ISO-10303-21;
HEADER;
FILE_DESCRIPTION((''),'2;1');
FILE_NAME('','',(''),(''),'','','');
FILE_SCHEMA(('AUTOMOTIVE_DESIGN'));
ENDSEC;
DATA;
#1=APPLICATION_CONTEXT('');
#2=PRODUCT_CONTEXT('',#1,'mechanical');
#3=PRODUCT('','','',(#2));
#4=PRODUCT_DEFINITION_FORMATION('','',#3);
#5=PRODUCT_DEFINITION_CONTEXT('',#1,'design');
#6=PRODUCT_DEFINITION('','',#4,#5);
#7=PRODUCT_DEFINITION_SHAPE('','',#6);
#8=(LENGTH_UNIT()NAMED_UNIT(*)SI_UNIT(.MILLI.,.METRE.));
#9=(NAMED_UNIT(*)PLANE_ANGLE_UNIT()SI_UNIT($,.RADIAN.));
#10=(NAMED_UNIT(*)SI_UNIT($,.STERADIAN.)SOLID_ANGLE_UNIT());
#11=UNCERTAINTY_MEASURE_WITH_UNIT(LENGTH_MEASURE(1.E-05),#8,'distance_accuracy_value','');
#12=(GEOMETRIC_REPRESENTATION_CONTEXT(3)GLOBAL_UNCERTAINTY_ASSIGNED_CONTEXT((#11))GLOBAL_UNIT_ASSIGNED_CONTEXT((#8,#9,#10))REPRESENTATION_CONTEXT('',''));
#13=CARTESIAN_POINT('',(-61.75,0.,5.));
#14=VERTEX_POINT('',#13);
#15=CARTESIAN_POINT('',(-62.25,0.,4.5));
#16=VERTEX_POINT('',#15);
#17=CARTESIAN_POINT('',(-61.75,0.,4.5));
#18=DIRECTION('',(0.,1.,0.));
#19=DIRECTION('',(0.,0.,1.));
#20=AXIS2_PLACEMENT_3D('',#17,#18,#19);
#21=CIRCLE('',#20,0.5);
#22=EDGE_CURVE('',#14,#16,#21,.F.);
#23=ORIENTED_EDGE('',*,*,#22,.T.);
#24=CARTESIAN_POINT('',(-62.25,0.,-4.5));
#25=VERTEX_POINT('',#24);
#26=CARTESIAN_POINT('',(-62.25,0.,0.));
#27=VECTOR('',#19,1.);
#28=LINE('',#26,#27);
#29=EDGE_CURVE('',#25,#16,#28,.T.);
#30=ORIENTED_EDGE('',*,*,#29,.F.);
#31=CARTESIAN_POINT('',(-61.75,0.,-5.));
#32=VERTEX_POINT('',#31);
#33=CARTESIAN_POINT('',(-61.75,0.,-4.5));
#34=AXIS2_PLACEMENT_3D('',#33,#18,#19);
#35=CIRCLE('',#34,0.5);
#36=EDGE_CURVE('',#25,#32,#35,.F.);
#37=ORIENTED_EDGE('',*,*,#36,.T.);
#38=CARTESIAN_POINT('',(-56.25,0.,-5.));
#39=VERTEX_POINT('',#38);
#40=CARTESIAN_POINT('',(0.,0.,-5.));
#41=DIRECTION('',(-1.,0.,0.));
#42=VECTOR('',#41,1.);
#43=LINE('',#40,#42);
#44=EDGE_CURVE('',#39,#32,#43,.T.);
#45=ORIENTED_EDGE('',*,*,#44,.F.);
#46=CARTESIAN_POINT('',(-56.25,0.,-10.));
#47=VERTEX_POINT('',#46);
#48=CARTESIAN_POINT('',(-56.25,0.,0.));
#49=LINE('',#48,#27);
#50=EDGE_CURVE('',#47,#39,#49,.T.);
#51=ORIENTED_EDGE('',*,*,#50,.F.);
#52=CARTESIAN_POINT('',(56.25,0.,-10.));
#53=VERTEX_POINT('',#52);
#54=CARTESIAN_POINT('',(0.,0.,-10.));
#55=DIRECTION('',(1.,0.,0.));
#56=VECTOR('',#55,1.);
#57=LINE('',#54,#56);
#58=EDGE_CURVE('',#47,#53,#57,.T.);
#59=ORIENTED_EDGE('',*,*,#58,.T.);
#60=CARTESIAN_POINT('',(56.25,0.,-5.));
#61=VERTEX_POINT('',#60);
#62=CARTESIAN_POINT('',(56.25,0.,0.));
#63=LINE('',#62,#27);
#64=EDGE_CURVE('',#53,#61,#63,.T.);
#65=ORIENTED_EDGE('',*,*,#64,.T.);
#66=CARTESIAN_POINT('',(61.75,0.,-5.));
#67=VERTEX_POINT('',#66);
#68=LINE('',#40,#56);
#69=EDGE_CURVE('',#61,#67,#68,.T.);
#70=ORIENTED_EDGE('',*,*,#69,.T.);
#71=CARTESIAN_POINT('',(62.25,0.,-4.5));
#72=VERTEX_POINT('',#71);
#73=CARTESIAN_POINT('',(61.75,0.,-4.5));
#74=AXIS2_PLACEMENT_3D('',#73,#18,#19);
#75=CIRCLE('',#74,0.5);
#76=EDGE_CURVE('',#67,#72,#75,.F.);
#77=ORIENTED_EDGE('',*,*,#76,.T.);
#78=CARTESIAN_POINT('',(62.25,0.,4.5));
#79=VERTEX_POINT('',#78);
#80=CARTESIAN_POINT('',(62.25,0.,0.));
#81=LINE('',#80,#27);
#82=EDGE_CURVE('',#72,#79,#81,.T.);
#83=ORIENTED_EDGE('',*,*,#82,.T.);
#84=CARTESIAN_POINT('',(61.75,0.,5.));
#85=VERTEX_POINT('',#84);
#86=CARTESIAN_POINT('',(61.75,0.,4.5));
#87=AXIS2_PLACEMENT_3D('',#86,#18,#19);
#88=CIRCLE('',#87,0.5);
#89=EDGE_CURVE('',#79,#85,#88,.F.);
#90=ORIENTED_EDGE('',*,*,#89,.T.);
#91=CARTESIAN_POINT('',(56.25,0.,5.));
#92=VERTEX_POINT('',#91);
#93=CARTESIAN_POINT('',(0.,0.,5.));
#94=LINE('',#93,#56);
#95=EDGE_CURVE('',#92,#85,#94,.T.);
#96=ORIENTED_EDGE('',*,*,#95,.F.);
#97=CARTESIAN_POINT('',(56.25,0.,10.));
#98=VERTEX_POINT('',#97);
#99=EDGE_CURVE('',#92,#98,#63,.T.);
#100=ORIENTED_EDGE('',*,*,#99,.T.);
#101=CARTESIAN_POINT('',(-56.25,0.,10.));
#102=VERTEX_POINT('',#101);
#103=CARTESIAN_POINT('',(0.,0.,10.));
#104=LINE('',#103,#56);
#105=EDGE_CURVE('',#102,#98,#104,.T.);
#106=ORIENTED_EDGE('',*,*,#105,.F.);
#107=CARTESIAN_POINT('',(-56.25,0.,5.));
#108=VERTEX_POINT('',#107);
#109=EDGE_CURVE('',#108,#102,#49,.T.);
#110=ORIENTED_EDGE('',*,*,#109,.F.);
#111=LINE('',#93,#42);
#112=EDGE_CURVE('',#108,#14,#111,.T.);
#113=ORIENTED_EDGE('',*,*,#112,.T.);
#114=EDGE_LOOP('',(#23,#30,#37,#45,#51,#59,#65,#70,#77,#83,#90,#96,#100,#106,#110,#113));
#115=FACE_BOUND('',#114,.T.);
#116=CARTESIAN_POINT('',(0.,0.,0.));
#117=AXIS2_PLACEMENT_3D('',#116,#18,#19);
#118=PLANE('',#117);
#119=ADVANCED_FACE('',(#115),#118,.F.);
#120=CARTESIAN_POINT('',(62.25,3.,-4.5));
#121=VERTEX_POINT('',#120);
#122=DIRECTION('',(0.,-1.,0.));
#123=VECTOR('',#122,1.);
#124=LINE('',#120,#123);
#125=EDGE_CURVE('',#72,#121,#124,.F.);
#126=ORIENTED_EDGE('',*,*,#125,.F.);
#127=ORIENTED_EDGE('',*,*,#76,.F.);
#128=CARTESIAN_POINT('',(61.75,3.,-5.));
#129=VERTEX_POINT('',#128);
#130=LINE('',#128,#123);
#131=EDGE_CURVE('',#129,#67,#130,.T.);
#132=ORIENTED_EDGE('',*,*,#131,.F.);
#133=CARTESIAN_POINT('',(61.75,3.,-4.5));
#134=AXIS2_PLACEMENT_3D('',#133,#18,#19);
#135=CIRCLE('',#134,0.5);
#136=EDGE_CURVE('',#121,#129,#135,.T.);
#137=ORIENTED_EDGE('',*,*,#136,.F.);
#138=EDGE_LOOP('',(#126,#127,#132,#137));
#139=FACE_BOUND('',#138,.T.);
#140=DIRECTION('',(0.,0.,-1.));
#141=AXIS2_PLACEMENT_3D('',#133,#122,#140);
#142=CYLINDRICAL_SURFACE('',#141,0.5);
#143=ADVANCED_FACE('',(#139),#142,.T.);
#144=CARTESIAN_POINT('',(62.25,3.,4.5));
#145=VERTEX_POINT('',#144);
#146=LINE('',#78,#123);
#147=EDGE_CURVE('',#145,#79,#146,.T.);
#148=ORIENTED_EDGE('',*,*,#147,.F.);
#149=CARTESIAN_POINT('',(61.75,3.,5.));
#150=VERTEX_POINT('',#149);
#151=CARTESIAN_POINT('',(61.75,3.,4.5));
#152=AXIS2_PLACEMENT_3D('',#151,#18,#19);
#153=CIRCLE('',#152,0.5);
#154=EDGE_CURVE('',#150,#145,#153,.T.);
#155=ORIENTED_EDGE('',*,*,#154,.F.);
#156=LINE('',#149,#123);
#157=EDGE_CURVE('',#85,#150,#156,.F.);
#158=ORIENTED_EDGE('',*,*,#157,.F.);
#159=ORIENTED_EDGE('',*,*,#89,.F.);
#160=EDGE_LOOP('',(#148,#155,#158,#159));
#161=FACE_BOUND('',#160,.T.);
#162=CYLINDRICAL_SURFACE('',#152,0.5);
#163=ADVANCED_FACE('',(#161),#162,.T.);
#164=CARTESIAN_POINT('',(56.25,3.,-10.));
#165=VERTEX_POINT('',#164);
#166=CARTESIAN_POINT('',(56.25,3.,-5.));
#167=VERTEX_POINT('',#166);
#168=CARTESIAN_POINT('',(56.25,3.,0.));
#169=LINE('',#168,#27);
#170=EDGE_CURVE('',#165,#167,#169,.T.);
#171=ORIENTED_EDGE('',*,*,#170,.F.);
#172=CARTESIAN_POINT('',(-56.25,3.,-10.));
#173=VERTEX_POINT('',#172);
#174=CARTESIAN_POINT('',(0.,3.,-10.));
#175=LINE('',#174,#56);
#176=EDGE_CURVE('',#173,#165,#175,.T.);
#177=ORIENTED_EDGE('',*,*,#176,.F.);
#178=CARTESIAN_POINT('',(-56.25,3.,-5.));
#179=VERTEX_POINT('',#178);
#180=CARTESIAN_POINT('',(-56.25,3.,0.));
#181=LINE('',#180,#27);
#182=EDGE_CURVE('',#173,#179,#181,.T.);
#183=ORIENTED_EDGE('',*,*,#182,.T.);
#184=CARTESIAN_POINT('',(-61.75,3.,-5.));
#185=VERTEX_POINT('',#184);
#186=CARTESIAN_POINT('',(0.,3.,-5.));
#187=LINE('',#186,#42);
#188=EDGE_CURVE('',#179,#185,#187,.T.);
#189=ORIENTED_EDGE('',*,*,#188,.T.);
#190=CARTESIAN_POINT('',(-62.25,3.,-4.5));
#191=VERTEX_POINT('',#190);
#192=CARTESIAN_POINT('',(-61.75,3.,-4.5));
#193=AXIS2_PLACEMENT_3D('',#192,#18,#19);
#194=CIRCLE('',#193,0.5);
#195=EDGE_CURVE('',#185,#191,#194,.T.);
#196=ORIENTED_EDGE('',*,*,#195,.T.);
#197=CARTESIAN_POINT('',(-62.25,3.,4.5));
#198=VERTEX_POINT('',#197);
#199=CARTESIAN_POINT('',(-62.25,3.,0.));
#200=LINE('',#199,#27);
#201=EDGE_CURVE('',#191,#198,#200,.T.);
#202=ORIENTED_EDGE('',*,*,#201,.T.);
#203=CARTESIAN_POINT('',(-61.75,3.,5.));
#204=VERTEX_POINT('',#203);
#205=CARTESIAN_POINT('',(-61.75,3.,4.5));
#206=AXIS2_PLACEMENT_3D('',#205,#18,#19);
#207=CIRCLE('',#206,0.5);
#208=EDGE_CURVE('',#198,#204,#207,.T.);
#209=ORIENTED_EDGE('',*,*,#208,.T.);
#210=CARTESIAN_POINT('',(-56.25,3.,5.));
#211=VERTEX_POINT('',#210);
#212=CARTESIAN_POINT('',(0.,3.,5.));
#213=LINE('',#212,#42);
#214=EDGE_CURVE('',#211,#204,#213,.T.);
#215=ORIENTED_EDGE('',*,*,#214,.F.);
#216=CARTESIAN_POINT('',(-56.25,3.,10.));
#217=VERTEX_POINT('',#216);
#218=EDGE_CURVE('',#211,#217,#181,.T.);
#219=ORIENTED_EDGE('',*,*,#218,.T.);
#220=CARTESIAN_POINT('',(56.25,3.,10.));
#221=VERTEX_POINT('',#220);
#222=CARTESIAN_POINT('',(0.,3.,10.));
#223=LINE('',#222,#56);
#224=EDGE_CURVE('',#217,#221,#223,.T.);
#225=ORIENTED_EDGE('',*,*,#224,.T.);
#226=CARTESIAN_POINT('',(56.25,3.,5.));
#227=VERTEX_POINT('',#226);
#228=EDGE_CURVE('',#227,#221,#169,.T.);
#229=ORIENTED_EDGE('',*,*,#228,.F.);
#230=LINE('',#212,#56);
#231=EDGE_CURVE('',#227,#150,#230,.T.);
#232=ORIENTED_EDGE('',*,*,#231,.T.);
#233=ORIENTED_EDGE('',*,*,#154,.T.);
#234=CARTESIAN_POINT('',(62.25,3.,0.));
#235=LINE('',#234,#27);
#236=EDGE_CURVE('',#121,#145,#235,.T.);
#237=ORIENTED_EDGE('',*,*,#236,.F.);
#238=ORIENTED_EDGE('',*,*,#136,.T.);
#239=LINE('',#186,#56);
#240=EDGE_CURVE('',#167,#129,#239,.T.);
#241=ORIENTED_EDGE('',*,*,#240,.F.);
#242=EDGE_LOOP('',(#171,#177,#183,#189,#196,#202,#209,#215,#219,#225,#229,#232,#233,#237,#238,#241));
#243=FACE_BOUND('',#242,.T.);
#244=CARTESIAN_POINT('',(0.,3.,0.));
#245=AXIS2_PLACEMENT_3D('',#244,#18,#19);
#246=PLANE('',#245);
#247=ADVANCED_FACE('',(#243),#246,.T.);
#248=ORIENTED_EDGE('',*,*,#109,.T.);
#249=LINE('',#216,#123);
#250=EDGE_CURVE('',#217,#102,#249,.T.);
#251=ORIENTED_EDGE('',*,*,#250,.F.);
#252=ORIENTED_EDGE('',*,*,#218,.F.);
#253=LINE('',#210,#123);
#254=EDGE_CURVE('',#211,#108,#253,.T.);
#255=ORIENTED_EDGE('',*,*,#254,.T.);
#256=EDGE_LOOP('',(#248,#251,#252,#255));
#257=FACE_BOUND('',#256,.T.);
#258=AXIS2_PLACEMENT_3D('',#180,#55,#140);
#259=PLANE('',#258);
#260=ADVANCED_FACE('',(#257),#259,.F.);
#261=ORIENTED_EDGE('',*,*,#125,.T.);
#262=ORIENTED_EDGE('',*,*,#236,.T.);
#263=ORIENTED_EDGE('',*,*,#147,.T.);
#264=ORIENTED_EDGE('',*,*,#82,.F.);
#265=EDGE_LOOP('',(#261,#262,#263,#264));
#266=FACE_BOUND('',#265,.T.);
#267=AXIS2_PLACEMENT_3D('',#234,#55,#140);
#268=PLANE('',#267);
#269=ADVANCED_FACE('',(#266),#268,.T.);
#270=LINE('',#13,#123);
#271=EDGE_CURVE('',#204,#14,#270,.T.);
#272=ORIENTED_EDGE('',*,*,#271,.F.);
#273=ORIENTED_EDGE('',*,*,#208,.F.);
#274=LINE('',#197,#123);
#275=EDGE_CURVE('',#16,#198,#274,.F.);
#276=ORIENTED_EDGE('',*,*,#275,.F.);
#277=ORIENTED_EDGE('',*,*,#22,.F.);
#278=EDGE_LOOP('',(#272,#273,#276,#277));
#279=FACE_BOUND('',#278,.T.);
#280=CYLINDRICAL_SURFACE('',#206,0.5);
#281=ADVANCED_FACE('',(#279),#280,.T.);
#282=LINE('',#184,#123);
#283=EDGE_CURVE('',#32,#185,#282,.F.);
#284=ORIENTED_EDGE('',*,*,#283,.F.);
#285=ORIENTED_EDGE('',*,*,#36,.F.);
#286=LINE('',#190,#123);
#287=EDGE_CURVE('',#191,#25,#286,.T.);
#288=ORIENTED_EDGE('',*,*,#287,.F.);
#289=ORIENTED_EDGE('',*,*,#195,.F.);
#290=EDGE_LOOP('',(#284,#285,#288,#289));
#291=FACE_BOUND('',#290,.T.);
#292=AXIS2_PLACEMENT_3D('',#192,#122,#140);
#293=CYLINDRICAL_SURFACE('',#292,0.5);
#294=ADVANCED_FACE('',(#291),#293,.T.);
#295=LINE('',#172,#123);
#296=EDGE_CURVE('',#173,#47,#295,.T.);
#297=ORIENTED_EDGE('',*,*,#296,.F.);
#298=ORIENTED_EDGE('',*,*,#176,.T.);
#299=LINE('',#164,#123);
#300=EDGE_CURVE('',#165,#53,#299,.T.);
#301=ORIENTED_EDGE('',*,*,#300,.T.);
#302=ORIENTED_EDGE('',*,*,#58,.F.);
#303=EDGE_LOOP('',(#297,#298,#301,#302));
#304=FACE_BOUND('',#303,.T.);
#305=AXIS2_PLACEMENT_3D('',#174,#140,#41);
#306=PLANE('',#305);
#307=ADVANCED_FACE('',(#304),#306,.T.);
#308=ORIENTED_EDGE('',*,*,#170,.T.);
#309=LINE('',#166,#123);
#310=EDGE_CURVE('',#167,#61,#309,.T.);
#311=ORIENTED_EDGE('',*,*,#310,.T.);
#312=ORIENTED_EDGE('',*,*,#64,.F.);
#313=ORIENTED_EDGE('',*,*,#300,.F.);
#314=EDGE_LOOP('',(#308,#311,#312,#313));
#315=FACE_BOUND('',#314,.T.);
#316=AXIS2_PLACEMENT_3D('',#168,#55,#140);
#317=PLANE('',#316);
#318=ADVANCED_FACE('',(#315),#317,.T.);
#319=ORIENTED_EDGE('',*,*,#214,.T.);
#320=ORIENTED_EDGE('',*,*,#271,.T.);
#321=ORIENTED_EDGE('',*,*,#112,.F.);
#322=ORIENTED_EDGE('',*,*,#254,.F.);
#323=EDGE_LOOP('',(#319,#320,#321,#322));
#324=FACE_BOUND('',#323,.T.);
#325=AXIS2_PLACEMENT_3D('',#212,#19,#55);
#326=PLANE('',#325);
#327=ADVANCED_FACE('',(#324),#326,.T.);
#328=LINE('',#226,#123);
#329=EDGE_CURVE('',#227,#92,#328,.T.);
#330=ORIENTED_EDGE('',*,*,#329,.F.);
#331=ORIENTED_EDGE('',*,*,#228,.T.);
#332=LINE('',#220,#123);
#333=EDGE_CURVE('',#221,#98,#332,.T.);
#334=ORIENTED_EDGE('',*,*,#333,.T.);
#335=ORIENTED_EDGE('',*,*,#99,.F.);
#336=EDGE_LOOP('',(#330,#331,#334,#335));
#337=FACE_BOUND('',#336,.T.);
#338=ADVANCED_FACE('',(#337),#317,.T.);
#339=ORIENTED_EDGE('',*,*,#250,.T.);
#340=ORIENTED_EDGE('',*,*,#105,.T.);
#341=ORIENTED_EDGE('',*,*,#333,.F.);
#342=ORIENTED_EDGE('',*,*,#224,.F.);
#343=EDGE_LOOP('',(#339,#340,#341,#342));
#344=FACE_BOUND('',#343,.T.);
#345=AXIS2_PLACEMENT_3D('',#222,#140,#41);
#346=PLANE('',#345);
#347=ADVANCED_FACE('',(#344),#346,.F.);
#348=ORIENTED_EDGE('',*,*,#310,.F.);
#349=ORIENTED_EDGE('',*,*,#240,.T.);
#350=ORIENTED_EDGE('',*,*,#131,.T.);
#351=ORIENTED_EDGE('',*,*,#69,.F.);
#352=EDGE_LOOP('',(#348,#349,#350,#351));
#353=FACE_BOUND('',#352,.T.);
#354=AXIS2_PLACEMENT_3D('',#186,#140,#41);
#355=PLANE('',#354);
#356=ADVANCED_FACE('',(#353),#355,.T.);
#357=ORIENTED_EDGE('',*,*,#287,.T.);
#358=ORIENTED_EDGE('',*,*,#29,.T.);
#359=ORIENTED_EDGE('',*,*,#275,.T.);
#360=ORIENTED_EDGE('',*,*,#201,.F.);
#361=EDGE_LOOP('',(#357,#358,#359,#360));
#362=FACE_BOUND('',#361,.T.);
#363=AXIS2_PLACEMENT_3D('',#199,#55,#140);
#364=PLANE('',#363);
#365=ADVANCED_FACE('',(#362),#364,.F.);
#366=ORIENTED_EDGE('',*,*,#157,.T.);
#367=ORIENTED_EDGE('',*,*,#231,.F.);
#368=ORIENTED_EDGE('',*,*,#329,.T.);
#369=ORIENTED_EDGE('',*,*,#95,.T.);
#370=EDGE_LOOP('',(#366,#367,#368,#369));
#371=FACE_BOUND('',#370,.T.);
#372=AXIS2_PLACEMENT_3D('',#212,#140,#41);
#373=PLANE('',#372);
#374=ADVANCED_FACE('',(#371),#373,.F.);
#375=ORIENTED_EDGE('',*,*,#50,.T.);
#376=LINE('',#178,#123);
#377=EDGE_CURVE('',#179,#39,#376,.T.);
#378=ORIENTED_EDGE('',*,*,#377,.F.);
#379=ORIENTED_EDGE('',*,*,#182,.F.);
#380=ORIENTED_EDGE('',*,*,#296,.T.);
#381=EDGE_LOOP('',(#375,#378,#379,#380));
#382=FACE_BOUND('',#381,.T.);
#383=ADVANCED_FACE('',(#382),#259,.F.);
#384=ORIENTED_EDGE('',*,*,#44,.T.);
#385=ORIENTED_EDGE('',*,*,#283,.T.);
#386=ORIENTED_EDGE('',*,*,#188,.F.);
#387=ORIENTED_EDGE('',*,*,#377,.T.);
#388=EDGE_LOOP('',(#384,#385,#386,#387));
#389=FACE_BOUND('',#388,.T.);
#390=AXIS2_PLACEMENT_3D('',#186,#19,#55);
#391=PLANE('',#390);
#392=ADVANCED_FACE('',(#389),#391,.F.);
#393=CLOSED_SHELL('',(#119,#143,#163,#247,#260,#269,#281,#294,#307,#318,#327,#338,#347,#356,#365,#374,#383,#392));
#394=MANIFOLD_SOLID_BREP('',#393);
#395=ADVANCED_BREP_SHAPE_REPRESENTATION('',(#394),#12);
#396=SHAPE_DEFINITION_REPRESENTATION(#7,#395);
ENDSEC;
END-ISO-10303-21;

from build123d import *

# Parameters (mm, degrees)
SKETCH_1_W      = 6
SKETCH_1_H      = 10
SKETCH_1_W_2    = 112.5
SKETCH_1_H_2    = 20
EXTRUDE_1_DEPTH = 3
FILLET_1_R      = 0.5


with BuildPart() as part:
    # Эскиз1 → Бобышка-Вытянуть1 (new body)
    with BuildSketch(Plane(origin=(0, 0, 0), x_dir=(1, 0, 0), z_dir=(0, 1, 0))):
        with Locations((-59.25, 0)):
            Rectangle(SKETCH_1_W, SKETCH_1_H)
        Rectangle(SKETCH_1_W_2, SKETCH_1_H_2)
        with Locations((59.25, 0)):
            Rectangle(SKETCH_1_W, SKETCH_1_H)
    extrude(amount=EXTRUDE_1_DEPTH)

    # Скругление1
    fillet_1_edges = [part.edges().sort_by_distance(p)[0] for p in [
        (-62.25, 1.5, 5),
        (-62.25, 1.5, -5),
        (62.25, 1.5, -5),
        (62.25, 1.5, 5),
    ]]
    fillet(fillet_1_edges, radius=FILLET_1_R)


solid = part.part
